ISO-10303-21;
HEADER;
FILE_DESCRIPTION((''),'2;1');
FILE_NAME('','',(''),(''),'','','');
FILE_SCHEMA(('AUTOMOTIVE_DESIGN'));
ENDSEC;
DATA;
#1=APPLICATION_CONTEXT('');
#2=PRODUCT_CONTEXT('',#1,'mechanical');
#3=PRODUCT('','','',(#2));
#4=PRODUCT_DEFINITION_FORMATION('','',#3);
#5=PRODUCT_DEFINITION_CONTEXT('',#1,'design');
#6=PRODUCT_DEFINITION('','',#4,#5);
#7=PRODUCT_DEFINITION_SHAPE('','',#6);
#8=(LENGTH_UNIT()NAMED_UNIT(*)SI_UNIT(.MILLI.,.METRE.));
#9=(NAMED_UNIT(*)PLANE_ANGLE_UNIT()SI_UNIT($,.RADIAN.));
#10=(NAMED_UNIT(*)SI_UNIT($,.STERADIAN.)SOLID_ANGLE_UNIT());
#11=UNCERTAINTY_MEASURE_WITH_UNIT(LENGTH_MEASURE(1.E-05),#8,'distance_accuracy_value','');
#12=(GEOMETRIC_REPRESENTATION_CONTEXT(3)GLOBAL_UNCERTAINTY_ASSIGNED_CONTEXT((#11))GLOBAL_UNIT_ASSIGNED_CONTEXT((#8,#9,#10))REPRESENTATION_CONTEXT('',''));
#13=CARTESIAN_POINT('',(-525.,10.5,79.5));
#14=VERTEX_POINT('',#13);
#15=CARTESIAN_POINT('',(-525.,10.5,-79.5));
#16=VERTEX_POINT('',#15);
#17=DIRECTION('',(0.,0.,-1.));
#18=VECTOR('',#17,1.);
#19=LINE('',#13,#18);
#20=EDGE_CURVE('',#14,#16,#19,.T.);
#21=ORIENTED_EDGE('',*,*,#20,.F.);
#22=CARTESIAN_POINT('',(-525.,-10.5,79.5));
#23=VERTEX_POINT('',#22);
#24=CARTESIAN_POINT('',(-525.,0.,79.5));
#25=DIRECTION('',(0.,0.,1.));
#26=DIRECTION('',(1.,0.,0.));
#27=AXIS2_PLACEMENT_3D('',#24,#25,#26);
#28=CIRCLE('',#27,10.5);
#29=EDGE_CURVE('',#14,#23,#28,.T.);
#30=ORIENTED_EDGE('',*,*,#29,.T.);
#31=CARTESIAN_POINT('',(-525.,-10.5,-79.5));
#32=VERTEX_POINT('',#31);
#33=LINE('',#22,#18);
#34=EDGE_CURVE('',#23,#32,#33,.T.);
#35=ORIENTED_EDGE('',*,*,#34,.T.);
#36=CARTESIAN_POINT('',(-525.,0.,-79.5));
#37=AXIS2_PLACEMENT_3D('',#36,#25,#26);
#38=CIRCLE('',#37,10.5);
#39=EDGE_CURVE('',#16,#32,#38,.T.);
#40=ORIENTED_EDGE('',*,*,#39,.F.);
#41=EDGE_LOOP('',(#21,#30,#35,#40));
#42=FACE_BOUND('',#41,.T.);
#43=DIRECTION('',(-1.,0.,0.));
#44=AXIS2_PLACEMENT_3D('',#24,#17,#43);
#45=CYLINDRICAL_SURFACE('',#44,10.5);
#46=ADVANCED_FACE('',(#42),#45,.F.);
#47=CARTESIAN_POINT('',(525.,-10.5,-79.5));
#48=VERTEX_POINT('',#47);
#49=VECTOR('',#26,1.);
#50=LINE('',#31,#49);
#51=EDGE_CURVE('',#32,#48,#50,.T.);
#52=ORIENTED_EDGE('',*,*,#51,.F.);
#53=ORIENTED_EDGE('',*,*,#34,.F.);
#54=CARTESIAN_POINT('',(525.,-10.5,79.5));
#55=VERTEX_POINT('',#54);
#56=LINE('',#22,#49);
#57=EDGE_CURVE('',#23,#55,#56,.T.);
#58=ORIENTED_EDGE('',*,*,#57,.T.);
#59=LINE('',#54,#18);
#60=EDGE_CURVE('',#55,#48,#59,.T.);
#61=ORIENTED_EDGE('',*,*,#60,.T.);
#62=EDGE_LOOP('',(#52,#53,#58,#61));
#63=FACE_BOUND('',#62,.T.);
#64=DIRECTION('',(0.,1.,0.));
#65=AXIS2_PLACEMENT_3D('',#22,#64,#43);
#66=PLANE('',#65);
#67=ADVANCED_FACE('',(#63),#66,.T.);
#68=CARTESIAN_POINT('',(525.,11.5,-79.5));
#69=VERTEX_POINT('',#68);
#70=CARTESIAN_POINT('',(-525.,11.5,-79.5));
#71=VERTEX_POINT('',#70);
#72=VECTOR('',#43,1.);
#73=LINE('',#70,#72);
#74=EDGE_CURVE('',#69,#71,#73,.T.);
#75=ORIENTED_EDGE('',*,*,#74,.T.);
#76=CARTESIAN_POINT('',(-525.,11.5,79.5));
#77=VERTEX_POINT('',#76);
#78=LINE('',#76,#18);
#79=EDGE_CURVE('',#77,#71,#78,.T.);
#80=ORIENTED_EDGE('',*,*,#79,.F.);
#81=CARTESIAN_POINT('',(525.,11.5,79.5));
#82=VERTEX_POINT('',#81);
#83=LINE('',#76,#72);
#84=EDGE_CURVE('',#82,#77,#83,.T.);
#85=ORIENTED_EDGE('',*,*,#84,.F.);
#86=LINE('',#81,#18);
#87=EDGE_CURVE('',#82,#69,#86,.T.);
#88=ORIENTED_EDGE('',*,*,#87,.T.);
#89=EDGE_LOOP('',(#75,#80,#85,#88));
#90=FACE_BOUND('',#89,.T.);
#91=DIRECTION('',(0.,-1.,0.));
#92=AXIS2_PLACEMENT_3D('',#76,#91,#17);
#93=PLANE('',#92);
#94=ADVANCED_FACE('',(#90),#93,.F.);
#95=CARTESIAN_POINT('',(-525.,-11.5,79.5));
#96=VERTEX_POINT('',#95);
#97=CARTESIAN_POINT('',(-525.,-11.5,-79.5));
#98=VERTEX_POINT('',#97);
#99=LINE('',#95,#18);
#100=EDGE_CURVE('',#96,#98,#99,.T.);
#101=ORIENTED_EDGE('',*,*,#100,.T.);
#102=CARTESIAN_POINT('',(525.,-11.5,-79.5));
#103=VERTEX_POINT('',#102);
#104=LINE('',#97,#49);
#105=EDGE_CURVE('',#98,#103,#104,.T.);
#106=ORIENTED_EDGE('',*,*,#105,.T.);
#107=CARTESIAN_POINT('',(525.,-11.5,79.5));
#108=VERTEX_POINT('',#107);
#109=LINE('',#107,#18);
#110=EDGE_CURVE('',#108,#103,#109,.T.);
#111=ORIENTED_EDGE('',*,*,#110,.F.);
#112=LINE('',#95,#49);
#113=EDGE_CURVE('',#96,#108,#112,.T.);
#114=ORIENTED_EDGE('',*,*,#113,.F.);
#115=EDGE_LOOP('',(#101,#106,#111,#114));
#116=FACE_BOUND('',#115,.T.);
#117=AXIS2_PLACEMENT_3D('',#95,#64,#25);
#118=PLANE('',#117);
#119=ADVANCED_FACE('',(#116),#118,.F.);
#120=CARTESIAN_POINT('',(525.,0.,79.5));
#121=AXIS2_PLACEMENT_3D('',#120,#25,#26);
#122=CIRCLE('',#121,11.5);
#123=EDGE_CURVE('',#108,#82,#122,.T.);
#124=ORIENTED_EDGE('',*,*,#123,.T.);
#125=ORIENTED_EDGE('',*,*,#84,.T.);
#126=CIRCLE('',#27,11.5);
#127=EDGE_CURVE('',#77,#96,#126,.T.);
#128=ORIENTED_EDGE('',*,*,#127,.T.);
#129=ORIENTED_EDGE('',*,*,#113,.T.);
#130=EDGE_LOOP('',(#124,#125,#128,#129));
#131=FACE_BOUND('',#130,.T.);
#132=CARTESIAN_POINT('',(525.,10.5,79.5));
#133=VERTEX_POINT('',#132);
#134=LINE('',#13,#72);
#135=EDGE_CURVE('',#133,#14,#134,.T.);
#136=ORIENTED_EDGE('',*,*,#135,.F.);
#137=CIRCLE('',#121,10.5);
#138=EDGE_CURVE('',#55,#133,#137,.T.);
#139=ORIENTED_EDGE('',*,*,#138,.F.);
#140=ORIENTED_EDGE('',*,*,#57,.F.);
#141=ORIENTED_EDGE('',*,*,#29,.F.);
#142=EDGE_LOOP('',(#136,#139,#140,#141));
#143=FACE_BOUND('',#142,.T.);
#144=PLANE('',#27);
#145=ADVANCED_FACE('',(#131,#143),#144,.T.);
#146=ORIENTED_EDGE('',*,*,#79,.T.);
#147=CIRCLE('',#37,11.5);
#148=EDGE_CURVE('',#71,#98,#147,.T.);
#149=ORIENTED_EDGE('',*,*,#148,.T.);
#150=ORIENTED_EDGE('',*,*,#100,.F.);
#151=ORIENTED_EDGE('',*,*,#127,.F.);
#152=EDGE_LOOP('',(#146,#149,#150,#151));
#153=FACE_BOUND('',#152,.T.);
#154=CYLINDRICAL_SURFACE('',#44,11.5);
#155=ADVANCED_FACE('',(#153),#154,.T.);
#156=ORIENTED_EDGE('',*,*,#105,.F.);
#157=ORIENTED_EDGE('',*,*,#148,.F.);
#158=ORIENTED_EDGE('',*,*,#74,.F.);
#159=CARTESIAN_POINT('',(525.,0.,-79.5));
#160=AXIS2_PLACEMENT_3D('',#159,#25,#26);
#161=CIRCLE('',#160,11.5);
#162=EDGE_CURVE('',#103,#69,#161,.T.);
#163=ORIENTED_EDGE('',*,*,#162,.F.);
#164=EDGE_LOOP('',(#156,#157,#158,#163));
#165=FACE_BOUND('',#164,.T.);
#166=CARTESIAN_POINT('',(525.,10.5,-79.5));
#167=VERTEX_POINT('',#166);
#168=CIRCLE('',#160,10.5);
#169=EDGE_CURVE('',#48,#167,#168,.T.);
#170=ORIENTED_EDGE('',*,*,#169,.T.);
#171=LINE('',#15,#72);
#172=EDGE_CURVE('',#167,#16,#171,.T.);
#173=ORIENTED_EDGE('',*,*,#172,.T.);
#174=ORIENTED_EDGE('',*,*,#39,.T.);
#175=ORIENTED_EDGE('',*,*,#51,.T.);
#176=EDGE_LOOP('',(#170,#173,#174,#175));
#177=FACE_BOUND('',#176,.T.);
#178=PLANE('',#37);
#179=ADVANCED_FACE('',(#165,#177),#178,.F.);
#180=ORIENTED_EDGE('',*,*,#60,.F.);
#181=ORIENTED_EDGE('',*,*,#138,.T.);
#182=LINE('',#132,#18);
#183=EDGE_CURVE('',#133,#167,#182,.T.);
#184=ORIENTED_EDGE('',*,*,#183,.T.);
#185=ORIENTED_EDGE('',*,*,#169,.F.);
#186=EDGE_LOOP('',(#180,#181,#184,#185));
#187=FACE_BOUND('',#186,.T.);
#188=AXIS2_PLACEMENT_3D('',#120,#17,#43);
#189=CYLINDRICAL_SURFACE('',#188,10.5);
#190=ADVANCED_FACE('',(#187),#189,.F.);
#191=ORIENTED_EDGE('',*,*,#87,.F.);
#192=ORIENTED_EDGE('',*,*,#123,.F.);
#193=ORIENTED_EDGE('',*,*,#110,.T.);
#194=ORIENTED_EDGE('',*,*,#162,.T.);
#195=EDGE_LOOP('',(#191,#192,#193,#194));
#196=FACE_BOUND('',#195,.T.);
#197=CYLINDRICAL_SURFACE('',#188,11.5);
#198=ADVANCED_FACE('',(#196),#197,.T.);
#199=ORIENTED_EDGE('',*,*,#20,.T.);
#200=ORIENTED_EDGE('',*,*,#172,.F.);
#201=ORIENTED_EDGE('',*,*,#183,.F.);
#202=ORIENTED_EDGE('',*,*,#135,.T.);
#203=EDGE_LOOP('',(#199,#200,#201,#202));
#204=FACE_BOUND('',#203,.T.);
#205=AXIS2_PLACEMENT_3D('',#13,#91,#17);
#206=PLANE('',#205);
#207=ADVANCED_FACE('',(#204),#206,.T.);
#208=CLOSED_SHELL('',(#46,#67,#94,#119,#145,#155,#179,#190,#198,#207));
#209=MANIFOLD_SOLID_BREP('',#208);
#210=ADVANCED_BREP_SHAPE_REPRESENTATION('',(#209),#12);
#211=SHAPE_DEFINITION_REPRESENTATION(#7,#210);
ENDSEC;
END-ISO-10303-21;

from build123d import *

# Parameters (mm, degrees)
BOSS_EXTRUDE1_DEPTH = 79.5


with BuildPart() as part:
    # Sketch1 → Boss-Extrude1 (new, symmetric)
    with BuildSketch(Plane.XY):
        with BuildLine():
            Line((-525, 11.5), (525, 11.5))
            ThreePointArc((525, 11.5), (536.5, 0), (525, -11.5))
            Line((525, -11.5), (-525, -11.5))
            ThreePointArc((-525, -11.5), (-536.5, 0), (-525, 11.5))
        make_face()
        with BuildLine():
            Line((-525, 10.5), (525, 10.5))
            ThreePointArc((525, 10.5), (535.5, 0), (525, -10.5))
            Line((525, -10.5), (-525, -10.5))
            ThreePointArc((-525, -10.5), (-535.5, 0), (-525, 10.5))
        make_face(mode=Mode.SUBTRACT)
    extrude(amount=BOSS_EXTRUDE1_DEPTH, both=True)


solid = part.part
